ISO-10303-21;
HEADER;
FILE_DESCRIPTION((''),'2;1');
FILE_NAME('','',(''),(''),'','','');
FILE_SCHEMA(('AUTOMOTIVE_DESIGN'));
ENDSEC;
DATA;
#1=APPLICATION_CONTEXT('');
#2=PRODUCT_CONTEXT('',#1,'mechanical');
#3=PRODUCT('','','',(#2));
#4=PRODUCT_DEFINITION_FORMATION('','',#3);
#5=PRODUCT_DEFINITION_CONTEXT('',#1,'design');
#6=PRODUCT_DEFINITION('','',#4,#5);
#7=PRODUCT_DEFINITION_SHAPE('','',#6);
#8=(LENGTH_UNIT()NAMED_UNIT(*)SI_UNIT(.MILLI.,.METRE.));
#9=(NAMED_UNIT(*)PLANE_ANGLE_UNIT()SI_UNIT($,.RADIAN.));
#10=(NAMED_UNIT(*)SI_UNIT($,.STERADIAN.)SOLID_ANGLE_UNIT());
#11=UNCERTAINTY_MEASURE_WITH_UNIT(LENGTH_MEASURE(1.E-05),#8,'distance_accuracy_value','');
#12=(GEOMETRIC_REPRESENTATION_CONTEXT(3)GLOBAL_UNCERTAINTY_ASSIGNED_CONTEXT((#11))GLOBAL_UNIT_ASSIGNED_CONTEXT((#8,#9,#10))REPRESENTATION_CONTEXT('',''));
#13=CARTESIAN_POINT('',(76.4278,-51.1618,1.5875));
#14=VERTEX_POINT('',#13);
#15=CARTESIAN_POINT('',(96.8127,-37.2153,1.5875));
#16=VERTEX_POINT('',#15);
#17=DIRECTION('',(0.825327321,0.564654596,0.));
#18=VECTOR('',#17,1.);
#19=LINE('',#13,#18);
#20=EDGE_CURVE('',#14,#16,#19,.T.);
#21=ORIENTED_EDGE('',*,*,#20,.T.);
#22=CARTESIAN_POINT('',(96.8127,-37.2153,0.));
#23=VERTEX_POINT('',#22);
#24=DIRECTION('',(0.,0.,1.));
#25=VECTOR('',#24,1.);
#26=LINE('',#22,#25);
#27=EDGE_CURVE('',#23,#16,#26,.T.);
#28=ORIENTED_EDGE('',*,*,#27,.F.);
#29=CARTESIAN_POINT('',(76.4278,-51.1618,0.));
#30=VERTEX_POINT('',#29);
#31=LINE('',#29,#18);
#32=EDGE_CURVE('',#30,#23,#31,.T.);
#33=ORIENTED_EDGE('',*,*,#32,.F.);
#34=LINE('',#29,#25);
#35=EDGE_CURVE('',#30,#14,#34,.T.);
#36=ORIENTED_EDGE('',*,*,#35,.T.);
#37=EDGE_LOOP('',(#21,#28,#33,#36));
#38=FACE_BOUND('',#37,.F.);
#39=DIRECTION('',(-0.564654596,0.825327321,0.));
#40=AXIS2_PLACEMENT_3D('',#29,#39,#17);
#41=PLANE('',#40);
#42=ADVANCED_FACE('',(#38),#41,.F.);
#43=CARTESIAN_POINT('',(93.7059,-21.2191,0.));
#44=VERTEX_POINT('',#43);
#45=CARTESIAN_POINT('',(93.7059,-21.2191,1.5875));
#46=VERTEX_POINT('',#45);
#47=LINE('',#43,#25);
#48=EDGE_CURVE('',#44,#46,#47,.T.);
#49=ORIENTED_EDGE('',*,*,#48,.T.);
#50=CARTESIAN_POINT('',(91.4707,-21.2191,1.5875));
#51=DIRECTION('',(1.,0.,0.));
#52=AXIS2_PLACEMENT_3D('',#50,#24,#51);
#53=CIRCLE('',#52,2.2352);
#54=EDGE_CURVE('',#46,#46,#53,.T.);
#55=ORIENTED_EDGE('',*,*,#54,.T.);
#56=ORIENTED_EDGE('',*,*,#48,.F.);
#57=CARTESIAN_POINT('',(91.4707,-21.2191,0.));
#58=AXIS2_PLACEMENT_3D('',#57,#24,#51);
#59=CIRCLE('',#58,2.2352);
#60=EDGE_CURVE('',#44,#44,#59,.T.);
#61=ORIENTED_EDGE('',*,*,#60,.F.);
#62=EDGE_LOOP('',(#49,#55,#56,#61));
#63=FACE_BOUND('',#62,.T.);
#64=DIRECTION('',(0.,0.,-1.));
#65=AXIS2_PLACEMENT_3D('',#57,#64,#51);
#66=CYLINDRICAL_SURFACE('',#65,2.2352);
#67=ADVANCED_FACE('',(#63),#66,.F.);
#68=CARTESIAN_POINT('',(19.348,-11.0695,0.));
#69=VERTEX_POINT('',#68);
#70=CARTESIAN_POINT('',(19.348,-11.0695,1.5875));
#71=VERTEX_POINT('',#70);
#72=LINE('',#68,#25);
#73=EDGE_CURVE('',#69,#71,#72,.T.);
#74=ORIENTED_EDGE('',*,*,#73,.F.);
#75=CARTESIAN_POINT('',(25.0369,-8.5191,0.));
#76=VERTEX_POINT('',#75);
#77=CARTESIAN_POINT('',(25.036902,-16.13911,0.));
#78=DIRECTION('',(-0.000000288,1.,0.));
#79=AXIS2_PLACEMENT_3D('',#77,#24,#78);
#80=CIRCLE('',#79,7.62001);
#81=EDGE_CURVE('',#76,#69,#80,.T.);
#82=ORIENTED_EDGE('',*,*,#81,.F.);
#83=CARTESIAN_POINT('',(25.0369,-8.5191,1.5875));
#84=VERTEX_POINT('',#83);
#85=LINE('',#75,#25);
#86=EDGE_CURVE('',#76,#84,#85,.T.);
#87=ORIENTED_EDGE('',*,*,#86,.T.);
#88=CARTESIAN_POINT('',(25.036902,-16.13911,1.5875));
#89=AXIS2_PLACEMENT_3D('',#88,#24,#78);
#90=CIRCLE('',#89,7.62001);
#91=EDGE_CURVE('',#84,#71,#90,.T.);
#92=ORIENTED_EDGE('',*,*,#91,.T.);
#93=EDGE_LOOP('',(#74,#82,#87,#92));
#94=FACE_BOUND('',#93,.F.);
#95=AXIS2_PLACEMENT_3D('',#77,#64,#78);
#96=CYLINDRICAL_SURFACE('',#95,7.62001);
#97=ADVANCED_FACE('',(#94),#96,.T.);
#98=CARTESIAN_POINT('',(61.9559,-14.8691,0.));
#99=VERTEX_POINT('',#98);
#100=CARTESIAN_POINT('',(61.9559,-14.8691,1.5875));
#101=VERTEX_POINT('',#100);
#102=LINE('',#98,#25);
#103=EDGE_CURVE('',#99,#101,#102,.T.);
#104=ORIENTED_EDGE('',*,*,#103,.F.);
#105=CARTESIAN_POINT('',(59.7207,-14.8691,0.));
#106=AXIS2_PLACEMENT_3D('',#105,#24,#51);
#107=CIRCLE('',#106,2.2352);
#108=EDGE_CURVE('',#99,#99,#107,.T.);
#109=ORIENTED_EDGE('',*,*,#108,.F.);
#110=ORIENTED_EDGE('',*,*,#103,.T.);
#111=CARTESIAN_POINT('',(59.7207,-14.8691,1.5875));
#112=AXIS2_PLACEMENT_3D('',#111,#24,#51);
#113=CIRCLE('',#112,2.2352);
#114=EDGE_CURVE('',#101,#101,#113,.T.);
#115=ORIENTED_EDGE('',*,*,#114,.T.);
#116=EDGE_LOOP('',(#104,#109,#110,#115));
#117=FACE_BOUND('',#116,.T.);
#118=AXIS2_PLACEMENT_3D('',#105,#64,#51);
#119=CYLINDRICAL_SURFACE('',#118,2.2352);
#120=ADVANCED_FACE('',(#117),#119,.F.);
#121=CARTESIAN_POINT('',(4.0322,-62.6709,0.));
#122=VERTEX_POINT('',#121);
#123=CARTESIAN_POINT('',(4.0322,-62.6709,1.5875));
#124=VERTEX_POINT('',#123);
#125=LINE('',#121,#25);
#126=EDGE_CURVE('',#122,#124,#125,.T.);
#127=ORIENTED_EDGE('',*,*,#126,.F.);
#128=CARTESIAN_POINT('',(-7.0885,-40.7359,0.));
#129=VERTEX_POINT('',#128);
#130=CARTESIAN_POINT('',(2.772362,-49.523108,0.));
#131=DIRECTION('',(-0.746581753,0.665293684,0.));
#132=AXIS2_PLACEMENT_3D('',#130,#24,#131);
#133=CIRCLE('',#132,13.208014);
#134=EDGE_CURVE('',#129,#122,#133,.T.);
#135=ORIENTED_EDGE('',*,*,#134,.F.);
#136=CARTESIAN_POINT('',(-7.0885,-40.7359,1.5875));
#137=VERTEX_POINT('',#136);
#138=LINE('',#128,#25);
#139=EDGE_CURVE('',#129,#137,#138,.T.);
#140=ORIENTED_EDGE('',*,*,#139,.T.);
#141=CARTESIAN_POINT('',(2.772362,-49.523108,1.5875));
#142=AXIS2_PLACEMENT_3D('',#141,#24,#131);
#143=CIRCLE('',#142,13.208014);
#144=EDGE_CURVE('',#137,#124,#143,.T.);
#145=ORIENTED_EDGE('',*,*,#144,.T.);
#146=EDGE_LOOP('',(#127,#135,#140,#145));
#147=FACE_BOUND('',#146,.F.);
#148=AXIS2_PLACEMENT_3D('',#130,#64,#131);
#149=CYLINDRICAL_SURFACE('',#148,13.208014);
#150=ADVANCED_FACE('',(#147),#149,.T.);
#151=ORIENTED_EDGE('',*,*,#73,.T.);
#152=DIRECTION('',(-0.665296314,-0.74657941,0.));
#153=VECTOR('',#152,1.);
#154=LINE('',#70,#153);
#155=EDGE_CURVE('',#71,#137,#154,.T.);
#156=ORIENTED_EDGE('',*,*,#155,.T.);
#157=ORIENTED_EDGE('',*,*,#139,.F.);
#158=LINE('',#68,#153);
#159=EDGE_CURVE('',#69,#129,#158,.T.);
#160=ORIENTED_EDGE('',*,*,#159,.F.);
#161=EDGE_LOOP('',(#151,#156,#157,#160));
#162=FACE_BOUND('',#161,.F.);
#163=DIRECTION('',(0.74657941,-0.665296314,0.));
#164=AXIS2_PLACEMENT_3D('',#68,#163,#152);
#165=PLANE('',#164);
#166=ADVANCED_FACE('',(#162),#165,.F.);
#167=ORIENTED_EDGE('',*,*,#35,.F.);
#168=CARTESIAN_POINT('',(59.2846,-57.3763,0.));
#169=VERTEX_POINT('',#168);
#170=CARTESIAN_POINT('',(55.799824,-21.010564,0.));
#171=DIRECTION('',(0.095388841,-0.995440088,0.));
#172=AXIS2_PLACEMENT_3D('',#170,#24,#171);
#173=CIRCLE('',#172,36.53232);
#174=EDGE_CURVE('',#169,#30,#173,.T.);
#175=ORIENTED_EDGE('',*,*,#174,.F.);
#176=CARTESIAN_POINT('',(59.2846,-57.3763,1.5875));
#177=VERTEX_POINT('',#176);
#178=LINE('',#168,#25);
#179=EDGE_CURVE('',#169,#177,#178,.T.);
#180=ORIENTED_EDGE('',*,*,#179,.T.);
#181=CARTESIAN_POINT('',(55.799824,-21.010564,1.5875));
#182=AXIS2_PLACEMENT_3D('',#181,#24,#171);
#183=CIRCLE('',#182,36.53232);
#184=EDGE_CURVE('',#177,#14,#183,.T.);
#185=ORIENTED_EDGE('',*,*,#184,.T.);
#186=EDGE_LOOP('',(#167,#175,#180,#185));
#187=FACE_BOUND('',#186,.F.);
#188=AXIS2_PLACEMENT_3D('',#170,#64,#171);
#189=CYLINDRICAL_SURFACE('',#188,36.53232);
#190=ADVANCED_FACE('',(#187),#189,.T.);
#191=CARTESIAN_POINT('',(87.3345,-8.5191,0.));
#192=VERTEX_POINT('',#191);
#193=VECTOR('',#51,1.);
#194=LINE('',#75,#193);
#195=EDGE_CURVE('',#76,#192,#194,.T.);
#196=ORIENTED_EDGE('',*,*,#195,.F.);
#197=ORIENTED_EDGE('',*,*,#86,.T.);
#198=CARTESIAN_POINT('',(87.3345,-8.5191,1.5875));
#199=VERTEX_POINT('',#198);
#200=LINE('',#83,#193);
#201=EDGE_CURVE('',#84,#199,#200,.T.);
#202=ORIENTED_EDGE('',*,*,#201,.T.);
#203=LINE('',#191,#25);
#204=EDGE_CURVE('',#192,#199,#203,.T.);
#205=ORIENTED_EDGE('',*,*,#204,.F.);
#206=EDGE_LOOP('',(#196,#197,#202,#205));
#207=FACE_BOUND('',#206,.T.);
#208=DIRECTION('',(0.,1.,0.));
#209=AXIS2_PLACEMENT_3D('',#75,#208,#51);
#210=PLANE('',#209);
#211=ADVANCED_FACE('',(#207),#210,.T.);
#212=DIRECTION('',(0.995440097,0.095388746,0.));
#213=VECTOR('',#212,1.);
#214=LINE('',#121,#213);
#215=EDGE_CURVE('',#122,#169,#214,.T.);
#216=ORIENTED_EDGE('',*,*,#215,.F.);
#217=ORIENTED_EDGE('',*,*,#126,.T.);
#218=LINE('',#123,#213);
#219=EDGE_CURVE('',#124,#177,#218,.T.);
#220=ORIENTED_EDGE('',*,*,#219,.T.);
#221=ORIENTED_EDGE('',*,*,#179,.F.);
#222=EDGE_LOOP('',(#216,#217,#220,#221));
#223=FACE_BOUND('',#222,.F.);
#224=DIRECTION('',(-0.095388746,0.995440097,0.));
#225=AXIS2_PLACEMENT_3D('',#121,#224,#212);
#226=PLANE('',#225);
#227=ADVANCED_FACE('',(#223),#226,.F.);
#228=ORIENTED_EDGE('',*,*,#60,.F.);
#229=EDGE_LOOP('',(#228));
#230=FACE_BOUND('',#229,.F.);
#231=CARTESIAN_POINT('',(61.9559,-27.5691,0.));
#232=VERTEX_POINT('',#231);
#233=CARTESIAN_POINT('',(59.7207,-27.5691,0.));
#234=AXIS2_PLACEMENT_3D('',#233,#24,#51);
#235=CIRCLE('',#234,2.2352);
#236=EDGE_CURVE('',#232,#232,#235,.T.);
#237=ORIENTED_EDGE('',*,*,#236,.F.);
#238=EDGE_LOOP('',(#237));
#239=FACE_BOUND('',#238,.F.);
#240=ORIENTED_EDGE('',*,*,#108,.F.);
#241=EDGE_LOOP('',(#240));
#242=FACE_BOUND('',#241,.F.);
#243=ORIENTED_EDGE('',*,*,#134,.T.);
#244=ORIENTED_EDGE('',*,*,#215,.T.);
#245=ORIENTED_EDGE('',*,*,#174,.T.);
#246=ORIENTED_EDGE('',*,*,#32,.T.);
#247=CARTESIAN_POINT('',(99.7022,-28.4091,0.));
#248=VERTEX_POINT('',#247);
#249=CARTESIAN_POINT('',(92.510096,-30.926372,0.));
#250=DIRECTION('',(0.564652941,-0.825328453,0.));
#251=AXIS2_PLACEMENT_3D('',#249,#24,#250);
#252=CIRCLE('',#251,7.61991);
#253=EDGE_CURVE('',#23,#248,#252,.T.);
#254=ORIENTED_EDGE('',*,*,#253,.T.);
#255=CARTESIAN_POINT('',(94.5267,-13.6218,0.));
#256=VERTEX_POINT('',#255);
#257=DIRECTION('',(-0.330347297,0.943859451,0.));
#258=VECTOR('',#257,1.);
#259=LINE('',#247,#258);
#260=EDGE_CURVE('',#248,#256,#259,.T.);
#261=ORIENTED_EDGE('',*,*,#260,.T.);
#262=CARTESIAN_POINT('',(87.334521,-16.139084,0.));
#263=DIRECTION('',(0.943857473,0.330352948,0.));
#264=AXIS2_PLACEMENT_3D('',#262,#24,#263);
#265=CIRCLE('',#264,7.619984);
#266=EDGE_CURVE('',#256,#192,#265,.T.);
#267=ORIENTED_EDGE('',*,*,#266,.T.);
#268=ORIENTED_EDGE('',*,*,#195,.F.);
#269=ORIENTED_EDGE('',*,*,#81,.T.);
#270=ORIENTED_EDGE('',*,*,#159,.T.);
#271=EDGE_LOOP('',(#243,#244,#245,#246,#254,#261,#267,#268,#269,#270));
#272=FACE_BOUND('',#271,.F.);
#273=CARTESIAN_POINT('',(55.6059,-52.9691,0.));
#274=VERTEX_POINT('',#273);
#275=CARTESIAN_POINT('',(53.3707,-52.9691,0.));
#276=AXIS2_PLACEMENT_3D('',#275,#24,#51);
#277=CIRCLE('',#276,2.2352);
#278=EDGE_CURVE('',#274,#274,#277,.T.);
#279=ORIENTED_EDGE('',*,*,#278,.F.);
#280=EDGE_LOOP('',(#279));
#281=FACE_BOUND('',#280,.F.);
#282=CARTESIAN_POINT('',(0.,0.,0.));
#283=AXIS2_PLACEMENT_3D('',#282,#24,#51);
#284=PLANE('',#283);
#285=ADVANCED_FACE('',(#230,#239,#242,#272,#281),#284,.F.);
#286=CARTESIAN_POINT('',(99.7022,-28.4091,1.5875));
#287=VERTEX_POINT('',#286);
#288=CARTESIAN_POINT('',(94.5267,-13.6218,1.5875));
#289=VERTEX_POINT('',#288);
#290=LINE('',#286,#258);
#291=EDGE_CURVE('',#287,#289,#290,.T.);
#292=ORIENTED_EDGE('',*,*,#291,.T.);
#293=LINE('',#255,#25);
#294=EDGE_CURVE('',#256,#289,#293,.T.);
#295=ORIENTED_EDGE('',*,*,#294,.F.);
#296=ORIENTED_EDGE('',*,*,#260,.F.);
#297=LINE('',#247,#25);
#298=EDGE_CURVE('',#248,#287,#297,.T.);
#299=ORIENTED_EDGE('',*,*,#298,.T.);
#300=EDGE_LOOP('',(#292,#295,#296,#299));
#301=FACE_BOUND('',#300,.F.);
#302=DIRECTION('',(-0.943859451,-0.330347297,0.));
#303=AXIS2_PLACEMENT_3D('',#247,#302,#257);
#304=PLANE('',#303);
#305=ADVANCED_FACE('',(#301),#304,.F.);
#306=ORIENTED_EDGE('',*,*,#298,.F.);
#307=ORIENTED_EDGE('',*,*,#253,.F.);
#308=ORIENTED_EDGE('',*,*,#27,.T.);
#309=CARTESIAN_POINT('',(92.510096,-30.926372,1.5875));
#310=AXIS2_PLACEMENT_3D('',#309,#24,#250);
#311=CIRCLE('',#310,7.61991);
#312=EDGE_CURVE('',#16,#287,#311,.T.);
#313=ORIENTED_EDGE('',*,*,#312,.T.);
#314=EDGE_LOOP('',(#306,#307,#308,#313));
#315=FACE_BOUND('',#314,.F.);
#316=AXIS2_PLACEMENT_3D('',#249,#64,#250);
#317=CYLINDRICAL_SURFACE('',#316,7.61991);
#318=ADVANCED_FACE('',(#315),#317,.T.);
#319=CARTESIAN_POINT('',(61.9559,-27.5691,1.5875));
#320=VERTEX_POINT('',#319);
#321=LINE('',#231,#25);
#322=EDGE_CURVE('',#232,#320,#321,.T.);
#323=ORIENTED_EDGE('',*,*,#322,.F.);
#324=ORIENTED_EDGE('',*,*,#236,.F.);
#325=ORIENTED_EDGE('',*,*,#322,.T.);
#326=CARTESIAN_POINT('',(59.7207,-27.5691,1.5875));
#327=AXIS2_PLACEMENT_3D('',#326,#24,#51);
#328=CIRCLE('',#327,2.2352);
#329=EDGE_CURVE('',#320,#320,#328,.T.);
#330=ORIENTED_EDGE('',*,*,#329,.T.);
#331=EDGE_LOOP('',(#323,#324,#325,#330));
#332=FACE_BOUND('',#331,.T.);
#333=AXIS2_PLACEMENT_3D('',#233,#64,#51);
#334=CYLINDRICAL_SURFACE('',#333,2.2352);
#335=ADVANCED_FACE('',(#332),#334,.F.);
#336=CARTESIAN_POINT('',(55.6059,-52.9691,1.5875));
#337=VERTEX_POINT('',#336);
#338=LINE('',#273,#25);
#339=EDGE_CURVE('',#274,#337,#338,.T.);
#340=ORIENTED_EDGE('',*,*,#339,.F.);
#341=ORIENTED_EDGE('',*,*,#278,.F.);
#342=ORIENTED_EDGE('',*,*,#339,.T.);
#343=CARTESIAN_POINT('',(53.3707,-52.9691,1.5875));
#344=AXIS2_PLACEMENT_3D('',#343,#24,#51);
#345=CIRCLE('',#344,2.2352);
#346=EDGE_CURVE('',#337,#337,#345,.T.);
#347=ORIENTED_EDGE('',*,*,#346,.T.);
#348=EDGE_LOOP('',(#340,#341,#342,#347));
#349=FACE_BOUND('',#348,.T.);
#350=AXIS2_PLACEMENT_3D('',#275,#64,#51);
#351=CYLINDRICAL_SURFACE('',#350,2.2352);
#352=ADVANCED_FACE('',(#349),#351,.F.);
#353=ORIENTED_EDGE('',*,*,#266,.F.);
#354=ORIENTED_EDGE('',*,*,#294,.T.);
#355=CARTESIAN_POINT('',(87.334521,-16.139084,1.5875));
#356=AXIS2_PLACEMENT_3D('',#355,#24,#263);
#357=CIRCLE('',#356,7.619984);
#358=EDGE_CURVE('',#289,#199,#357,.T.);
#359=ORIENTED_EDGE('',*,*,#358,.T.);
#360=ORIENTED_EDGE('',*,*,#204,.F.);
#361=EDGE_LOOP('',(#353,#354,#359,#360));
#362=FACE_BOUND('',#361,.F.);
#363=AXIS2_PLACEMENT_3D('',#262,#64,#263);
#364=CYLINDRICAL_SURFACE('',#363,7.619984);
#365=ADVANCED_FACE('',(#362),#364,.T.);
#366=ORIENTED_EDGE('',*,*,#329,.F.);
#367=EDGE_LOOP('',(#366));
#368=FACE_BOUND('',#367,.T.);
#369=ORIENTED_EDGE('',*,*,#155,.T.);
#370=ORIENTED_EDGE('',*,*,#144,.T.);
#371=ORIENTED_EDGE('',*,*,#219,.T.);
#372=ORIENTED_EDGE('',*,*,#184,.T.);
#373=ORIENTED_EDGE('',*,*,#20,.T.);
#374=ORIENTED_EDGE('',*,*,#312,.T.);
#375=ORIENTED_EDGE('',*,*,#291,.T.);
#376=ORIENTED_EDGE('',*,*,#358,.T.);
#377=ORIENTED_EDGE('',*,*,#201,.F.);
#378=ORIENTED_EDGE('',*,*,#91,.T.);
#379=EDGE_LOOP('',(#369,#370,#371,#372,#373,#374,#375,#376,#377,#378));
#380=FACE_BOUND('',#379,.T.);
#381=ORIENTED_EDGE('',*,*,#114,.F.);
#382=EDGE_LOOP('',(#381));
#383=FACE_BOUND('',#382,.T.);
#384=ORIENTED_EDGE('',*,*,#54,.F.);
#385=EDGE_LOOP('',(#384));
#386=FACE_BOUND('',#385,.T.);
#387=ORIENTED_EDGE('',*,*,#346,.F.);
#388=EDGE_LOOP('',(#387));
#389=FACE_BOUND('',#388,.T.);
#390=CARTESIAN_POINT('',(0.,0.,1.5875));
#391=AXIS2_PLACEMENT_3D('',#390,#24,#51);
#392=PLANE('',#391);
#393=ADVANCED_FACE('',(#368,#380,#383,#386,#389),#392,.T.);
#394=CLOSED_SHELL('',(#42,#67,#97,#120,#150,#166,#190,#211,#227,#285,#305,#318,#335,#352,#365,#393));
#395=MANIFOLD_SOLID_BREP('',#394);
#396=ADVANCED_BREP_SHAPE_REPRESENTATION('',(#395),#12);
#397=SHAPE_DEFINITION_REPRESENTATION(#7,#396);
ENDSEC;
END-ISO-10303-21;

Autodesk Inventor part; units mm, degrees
ref_plane "YZ Plane" through (0, 0, 0) normal (1, 0, 0) x (0, 1, 0)
ref_plane "XZ Plane" through (0, 0, 0) normal (0, 1, 0) x (-1, 0, 0)
ref_plane "XY Plane" through (0, 0, 0) normal (0, 0, 1) x (1, 0, 0)
sketch "Sketch1" plane through (0, 0, 0) normal (0, 0, 1) x (1, 0, 0)
  circle A0 centre (53.3707, -52.9691) radius 2.2352
  arc A1 (-7.0885, -40.7359) -> (4.0322, -62.6709) centre (2.7723, -49.5231) ccw
  arc A2 (94.5267, -13.6218) -> (87.3345, -8.5191) centre (87.3345, -16.1391) ccw
  line L0 (25.0369, -8.5191) -> (87.3345, -8.5191)
  arc A3 (96.8127, -37.2153) -> (99.7022, -28.4091) centre (92.51, -30.9263) ccw
  line L1 (99.7022, -28.4091) -> (94.5267, -13.6218)
  arc A4 (59.2846, -57.3763) -> (76.4278, -51.1618) centre (55.7999, -21.0109) ccw
  arc A5 (25.0369, -8.5191) -> (19.348, -11.0695) centre (25.0369, -16.1391) ccw
  circle A6 centre (59.7207, -27.5691) radius 2.2352
  circle A7 centre (91.4707, -21.2191) radius 2.2352
  circle A8 centre (59.7207, -14.8691) radius 2.2352
  line L2 (76.4278, -51.1618) -> (96.8127, -37.2153)
  line L3 (19.348, -11.0695) -> (-7.0885, -40.7359)
  line L4 (4.0322, -62.6709) -> (59.2846, -57.3763)
  point P0 (0, 0)
  point P1 (19.348, -11.0695)
  point P2 (-7.0885, -40.7359)
  point P3 (4.0322, -62.6709)
  point P4 (59.2846, -57.3763)
  point P5 (76.4278, -51.1618)
  point P6 (94.5267, -13.6218)
  point P7 (87.3345, -8.5191)
extrude "Extrusion1" add sketch "Sketch1" along normal blind 1.5875
properties part number "neil"
